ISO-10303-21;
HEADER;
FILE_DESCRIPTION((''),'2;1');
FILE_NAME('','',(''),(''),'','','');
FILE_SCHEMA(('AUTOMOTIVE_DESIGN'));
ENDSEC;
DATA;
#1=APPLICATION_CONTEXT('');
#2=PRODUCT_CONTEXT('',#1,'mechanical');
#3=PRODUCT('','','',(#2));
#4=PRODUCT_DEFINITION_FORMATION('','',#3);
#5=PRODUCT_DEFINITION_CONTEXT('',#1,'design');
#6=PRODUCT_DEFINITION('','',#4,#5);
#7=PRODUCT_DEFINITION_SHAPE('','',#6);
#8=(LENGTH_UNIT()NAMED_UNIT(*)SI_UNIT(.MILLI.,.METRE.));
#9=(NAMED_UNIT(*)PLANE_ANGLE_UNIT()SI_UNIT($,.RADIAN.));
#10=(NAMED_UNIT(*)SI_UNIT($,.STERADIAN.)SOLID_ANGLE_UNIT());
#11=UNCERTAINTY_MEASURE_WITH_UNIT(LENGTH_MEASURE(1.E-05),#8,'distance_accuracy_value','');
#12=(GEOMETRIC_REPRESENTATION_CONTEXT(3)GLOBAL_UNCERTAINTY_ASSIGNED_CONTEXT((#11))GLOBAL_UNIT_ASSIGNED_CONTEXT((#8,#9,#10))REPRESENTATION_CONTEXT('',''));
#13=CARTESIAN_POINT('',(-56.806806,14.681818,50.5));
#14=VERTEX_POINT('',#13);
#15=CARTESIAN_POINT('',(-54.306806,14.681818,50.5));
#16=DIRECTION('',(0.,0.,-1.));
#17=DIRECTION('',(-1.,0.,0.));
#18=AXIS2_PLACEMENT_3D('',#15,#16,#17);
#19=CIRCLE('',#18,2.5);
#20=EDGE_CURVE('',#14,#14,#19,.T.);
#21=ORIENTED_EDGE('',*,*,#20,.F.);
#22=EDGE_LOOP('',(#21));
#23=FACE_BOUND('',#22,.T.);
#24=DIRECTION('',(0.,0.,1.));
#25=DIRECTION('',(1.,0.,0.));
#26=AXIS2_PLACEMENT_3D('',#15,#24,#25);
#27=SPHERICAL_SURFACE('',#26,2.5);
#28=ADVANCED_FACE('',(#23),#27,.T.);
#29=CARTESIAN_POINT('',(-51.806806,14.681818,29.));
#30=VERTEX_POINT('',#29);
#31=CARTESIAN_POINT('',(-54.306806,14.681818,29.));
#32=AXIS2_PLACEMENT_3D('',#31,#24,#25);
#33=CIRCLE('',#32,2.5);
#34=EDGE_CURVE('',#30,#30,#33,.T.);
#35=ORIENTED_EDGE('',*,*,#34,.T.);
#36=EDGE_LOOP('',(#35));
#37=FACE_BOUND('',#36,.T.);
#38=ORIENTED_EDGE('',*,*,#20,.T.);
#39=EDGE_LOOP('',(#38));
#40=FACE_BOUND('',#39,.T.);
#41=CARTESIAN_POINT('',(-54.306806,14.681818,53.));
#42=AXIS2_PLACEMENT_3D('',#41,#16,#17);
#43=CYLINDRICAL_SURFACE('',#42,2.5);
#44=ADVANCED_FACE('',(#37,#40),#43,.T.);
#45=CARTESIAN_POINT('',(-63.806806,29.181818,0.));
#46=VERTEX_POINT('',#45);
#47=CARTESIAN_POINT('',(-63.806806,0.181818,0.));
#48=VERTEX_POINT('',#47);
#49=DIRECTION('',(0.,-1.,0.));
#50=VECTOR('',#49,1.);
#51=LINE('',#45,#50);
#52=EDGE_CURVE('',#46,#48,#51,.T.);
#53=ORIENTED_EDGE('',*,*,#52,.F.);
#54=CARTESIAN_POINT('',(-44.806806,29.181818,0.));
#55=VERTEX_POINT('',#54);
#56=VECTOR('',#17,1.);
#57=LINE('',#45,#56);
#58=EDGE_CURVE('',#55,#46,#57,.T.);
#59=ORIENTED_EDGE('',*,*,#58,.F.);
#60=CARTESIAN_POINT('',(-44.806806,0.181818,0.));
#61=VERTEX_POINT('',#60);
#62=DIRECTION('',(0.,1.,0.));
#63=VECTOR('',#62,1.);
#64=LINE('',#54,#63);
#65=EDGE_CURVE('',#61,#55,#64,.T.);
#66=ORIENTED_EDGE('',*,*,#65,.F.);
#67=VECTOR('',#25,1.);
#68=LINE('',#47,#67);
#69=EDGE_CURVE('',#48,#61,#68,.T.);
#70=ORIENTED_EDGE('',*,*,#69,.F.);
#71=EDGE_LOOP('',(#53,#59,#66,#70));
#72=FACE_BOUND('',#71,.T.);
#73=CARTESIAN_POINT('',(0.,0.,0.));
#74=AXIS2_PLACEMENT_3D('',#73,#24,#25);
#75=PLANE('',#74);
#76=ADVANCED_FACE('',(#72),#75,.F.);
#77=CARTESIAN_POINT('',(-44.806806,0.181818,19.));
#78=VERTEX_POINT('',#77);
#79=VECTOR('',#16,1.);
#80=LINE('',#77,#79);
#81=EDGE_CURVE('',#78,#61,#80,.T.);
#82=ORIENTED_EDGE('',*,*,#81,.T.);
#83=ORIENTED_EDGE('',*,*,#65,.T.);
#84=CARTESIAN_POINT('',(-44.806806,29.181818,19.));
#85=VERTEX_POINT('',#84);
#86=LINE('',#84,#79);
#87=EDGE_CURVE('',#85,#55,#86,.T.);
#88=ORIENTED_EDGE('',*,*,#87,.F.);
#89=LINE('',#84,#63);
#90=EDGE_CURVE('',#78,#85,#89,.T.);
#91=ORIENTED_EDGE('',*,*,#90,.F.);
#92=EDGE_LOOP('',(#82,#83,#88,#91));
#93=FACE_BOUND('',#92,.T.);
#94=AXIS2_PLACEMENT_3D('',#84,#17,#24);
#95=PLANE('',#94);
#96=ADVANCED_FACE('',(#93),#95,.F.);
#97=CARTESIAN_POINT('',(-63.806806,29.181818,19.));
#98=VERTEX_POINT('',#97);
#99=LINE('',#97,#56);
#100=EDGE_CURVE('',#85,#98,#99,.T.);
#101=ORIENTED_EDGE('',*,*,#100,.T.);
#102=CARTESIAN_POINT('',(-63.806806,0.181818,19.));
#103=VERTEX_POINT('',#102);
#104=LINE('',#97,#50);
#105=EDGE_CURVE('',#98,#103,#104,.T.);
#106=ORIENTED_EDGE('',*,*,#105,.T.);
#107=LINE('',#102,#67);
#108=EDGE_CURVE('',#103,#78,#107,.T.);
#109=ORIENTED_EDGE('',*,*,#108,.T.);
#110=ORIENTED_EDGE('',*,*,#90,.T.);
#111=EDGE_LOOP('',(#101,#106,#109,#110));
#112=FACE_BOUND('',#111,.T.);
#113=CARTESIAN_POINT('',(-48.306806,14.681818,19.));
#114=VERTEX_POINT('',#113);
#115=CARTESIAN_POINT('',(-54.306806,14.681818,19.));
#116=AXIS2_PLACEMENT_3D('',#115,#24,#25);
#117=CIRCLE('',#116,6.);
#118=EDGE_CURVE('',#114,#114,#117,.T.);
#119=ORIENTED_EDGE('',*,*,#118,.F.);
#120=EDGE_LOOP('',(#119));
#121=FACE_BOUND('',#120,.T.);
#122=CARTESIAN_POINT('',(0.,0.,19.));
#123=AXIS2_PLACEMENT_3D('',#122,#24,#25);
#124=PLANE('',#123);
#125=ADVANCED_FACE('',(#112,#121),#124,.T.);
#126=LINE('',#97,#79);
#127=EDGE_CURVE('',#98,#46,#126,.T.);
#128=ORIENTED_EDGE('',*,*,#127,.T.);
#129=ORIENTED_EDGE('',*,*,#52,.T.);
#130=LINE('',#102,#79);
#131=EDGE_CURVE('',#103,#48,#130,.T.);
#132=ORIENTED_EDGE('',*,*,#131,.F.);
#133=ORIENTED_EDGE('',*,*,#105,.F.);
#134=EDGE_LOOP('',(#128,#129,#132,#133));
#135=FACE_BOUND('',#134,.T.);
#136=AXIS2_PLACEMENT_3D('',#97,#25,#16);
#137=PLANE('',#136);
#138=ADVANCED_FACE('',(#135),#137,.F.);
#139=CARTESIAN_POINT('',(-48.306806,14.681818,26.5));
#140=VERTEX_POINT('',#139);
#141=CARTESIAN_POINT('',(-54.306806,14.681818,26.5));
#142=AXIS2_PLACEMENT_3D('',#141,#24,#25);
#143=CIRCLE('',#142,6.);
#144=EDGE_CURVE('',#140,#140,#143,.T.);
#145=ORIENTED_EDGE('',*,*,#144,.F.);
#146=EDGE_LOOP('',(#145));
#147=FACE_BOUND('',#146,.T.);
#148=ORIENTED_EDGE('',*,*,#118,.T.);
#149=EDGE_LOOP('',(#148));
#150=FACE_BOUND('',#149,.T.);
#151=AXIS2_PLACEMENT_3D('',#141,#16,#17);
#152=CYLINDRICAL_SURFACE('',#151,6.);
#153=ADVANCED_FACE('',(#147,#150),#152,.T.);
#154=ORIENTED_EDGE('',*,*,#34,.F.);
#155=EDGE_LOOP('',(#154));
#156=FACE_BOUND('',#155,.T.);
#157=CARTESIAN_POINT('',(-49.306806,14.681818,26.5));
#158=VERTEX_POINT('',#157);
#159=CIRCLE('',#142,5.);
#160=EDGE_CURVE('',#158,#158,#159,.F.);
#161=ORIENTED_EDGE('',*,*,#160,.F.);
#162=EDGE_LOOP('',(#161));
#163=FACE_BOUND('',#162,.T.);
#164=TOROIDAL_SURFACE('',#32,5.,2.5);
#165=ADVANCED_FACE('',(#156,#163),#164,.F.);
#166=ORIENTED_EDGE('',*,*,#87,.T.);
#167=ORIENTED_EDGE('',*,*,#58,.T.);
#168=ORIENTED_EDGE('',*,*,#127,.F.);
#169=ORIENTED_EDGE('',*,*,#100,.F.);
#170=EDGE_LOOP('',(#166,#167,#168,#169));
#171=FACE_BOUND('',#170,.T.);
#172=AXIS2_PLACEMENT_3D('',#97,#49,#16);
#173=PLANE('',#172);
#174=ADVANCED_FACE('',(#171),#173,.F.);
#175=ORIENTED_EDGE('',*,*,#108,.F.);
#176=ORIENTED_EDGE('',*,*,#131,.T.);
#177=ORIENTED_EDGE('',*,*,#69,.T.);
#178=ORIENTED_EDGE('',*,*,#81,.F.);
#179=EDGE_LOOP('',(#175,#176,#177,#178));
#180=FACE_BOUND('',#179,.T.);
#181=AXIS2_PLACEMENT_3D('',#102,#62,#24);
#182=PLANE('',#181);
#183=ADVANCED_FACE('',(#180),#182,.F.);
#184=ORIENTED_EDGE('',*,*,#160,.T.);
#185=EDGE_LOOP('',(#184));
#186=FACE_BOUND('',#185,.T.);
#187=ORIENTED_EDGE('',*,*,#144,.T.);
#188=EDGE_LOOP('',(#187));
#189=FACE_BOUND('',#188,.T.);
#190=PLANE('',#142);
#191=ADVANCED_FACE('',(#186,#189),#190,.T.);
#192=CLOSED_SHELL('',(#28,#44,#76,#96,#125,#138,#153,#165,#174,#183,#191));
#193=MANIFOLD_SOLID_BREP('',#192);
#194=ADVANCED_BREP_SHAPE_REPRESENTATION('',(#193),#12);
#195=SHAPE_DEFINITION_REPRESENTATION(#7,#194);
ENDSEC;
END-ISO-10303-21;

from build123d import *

# Parameters (mm, degrees)
ESQUISSE1_W        = 19
ESQUISSE1_H        = 29
BOSS_EXTRU_1_DEPTH = 19
ESQUISSE3_R        = 6
BOSS_EXTRU_2_DEPTH = 7.5
ESQUISSE4_R        = 2.5
BOSS_EXTRU_3_DEPTH = 26.5
CONG_3_R           = 2.5


with BuildPart() as part:
    # Esquisse1 → Boss.-Extru.1 (new body)
    with BuildSketch(Plane.XY):
        with Locations((-54.306805708, 14.681818182)):
            Rectangle(ESQUISSE1_W, ESQUISSE1_H)
    extrude(amount=BOSS_EXTRU_1_DEPTH)

    # Esquisse3 → Boss.-Extru.2 (add)
    with BuildSketch(Plane.XY.offset(19)):
        with Locations((-54.306805708, 14.681818182)):
            Circle(ESQUISSE3_R)
    extrude(amount=BOSS_EXTRU_2_DEPTH)

    # Esquisse4 → Boss.-Extru.3 (add)
    with BuildSketch(Plane.XY.offset(26.5)):
        with Locations((-54.306805708, 14.681818182)):
            Circle(ESQUISSE4_R)
    extrude(amount=BOSS_EXTRU_3_DEPTH)

    # Congé3
    cong_3_edges = [part.edges().sort_by_distance(p)[0] for p in [
        (-56.806805708, 14.681818182, 26.5),
        (-56.806805708, 14.681818182, 53),
    ]]
    fillet(cong_3_edges, radius=CONG_3_R)


solid = part.part
